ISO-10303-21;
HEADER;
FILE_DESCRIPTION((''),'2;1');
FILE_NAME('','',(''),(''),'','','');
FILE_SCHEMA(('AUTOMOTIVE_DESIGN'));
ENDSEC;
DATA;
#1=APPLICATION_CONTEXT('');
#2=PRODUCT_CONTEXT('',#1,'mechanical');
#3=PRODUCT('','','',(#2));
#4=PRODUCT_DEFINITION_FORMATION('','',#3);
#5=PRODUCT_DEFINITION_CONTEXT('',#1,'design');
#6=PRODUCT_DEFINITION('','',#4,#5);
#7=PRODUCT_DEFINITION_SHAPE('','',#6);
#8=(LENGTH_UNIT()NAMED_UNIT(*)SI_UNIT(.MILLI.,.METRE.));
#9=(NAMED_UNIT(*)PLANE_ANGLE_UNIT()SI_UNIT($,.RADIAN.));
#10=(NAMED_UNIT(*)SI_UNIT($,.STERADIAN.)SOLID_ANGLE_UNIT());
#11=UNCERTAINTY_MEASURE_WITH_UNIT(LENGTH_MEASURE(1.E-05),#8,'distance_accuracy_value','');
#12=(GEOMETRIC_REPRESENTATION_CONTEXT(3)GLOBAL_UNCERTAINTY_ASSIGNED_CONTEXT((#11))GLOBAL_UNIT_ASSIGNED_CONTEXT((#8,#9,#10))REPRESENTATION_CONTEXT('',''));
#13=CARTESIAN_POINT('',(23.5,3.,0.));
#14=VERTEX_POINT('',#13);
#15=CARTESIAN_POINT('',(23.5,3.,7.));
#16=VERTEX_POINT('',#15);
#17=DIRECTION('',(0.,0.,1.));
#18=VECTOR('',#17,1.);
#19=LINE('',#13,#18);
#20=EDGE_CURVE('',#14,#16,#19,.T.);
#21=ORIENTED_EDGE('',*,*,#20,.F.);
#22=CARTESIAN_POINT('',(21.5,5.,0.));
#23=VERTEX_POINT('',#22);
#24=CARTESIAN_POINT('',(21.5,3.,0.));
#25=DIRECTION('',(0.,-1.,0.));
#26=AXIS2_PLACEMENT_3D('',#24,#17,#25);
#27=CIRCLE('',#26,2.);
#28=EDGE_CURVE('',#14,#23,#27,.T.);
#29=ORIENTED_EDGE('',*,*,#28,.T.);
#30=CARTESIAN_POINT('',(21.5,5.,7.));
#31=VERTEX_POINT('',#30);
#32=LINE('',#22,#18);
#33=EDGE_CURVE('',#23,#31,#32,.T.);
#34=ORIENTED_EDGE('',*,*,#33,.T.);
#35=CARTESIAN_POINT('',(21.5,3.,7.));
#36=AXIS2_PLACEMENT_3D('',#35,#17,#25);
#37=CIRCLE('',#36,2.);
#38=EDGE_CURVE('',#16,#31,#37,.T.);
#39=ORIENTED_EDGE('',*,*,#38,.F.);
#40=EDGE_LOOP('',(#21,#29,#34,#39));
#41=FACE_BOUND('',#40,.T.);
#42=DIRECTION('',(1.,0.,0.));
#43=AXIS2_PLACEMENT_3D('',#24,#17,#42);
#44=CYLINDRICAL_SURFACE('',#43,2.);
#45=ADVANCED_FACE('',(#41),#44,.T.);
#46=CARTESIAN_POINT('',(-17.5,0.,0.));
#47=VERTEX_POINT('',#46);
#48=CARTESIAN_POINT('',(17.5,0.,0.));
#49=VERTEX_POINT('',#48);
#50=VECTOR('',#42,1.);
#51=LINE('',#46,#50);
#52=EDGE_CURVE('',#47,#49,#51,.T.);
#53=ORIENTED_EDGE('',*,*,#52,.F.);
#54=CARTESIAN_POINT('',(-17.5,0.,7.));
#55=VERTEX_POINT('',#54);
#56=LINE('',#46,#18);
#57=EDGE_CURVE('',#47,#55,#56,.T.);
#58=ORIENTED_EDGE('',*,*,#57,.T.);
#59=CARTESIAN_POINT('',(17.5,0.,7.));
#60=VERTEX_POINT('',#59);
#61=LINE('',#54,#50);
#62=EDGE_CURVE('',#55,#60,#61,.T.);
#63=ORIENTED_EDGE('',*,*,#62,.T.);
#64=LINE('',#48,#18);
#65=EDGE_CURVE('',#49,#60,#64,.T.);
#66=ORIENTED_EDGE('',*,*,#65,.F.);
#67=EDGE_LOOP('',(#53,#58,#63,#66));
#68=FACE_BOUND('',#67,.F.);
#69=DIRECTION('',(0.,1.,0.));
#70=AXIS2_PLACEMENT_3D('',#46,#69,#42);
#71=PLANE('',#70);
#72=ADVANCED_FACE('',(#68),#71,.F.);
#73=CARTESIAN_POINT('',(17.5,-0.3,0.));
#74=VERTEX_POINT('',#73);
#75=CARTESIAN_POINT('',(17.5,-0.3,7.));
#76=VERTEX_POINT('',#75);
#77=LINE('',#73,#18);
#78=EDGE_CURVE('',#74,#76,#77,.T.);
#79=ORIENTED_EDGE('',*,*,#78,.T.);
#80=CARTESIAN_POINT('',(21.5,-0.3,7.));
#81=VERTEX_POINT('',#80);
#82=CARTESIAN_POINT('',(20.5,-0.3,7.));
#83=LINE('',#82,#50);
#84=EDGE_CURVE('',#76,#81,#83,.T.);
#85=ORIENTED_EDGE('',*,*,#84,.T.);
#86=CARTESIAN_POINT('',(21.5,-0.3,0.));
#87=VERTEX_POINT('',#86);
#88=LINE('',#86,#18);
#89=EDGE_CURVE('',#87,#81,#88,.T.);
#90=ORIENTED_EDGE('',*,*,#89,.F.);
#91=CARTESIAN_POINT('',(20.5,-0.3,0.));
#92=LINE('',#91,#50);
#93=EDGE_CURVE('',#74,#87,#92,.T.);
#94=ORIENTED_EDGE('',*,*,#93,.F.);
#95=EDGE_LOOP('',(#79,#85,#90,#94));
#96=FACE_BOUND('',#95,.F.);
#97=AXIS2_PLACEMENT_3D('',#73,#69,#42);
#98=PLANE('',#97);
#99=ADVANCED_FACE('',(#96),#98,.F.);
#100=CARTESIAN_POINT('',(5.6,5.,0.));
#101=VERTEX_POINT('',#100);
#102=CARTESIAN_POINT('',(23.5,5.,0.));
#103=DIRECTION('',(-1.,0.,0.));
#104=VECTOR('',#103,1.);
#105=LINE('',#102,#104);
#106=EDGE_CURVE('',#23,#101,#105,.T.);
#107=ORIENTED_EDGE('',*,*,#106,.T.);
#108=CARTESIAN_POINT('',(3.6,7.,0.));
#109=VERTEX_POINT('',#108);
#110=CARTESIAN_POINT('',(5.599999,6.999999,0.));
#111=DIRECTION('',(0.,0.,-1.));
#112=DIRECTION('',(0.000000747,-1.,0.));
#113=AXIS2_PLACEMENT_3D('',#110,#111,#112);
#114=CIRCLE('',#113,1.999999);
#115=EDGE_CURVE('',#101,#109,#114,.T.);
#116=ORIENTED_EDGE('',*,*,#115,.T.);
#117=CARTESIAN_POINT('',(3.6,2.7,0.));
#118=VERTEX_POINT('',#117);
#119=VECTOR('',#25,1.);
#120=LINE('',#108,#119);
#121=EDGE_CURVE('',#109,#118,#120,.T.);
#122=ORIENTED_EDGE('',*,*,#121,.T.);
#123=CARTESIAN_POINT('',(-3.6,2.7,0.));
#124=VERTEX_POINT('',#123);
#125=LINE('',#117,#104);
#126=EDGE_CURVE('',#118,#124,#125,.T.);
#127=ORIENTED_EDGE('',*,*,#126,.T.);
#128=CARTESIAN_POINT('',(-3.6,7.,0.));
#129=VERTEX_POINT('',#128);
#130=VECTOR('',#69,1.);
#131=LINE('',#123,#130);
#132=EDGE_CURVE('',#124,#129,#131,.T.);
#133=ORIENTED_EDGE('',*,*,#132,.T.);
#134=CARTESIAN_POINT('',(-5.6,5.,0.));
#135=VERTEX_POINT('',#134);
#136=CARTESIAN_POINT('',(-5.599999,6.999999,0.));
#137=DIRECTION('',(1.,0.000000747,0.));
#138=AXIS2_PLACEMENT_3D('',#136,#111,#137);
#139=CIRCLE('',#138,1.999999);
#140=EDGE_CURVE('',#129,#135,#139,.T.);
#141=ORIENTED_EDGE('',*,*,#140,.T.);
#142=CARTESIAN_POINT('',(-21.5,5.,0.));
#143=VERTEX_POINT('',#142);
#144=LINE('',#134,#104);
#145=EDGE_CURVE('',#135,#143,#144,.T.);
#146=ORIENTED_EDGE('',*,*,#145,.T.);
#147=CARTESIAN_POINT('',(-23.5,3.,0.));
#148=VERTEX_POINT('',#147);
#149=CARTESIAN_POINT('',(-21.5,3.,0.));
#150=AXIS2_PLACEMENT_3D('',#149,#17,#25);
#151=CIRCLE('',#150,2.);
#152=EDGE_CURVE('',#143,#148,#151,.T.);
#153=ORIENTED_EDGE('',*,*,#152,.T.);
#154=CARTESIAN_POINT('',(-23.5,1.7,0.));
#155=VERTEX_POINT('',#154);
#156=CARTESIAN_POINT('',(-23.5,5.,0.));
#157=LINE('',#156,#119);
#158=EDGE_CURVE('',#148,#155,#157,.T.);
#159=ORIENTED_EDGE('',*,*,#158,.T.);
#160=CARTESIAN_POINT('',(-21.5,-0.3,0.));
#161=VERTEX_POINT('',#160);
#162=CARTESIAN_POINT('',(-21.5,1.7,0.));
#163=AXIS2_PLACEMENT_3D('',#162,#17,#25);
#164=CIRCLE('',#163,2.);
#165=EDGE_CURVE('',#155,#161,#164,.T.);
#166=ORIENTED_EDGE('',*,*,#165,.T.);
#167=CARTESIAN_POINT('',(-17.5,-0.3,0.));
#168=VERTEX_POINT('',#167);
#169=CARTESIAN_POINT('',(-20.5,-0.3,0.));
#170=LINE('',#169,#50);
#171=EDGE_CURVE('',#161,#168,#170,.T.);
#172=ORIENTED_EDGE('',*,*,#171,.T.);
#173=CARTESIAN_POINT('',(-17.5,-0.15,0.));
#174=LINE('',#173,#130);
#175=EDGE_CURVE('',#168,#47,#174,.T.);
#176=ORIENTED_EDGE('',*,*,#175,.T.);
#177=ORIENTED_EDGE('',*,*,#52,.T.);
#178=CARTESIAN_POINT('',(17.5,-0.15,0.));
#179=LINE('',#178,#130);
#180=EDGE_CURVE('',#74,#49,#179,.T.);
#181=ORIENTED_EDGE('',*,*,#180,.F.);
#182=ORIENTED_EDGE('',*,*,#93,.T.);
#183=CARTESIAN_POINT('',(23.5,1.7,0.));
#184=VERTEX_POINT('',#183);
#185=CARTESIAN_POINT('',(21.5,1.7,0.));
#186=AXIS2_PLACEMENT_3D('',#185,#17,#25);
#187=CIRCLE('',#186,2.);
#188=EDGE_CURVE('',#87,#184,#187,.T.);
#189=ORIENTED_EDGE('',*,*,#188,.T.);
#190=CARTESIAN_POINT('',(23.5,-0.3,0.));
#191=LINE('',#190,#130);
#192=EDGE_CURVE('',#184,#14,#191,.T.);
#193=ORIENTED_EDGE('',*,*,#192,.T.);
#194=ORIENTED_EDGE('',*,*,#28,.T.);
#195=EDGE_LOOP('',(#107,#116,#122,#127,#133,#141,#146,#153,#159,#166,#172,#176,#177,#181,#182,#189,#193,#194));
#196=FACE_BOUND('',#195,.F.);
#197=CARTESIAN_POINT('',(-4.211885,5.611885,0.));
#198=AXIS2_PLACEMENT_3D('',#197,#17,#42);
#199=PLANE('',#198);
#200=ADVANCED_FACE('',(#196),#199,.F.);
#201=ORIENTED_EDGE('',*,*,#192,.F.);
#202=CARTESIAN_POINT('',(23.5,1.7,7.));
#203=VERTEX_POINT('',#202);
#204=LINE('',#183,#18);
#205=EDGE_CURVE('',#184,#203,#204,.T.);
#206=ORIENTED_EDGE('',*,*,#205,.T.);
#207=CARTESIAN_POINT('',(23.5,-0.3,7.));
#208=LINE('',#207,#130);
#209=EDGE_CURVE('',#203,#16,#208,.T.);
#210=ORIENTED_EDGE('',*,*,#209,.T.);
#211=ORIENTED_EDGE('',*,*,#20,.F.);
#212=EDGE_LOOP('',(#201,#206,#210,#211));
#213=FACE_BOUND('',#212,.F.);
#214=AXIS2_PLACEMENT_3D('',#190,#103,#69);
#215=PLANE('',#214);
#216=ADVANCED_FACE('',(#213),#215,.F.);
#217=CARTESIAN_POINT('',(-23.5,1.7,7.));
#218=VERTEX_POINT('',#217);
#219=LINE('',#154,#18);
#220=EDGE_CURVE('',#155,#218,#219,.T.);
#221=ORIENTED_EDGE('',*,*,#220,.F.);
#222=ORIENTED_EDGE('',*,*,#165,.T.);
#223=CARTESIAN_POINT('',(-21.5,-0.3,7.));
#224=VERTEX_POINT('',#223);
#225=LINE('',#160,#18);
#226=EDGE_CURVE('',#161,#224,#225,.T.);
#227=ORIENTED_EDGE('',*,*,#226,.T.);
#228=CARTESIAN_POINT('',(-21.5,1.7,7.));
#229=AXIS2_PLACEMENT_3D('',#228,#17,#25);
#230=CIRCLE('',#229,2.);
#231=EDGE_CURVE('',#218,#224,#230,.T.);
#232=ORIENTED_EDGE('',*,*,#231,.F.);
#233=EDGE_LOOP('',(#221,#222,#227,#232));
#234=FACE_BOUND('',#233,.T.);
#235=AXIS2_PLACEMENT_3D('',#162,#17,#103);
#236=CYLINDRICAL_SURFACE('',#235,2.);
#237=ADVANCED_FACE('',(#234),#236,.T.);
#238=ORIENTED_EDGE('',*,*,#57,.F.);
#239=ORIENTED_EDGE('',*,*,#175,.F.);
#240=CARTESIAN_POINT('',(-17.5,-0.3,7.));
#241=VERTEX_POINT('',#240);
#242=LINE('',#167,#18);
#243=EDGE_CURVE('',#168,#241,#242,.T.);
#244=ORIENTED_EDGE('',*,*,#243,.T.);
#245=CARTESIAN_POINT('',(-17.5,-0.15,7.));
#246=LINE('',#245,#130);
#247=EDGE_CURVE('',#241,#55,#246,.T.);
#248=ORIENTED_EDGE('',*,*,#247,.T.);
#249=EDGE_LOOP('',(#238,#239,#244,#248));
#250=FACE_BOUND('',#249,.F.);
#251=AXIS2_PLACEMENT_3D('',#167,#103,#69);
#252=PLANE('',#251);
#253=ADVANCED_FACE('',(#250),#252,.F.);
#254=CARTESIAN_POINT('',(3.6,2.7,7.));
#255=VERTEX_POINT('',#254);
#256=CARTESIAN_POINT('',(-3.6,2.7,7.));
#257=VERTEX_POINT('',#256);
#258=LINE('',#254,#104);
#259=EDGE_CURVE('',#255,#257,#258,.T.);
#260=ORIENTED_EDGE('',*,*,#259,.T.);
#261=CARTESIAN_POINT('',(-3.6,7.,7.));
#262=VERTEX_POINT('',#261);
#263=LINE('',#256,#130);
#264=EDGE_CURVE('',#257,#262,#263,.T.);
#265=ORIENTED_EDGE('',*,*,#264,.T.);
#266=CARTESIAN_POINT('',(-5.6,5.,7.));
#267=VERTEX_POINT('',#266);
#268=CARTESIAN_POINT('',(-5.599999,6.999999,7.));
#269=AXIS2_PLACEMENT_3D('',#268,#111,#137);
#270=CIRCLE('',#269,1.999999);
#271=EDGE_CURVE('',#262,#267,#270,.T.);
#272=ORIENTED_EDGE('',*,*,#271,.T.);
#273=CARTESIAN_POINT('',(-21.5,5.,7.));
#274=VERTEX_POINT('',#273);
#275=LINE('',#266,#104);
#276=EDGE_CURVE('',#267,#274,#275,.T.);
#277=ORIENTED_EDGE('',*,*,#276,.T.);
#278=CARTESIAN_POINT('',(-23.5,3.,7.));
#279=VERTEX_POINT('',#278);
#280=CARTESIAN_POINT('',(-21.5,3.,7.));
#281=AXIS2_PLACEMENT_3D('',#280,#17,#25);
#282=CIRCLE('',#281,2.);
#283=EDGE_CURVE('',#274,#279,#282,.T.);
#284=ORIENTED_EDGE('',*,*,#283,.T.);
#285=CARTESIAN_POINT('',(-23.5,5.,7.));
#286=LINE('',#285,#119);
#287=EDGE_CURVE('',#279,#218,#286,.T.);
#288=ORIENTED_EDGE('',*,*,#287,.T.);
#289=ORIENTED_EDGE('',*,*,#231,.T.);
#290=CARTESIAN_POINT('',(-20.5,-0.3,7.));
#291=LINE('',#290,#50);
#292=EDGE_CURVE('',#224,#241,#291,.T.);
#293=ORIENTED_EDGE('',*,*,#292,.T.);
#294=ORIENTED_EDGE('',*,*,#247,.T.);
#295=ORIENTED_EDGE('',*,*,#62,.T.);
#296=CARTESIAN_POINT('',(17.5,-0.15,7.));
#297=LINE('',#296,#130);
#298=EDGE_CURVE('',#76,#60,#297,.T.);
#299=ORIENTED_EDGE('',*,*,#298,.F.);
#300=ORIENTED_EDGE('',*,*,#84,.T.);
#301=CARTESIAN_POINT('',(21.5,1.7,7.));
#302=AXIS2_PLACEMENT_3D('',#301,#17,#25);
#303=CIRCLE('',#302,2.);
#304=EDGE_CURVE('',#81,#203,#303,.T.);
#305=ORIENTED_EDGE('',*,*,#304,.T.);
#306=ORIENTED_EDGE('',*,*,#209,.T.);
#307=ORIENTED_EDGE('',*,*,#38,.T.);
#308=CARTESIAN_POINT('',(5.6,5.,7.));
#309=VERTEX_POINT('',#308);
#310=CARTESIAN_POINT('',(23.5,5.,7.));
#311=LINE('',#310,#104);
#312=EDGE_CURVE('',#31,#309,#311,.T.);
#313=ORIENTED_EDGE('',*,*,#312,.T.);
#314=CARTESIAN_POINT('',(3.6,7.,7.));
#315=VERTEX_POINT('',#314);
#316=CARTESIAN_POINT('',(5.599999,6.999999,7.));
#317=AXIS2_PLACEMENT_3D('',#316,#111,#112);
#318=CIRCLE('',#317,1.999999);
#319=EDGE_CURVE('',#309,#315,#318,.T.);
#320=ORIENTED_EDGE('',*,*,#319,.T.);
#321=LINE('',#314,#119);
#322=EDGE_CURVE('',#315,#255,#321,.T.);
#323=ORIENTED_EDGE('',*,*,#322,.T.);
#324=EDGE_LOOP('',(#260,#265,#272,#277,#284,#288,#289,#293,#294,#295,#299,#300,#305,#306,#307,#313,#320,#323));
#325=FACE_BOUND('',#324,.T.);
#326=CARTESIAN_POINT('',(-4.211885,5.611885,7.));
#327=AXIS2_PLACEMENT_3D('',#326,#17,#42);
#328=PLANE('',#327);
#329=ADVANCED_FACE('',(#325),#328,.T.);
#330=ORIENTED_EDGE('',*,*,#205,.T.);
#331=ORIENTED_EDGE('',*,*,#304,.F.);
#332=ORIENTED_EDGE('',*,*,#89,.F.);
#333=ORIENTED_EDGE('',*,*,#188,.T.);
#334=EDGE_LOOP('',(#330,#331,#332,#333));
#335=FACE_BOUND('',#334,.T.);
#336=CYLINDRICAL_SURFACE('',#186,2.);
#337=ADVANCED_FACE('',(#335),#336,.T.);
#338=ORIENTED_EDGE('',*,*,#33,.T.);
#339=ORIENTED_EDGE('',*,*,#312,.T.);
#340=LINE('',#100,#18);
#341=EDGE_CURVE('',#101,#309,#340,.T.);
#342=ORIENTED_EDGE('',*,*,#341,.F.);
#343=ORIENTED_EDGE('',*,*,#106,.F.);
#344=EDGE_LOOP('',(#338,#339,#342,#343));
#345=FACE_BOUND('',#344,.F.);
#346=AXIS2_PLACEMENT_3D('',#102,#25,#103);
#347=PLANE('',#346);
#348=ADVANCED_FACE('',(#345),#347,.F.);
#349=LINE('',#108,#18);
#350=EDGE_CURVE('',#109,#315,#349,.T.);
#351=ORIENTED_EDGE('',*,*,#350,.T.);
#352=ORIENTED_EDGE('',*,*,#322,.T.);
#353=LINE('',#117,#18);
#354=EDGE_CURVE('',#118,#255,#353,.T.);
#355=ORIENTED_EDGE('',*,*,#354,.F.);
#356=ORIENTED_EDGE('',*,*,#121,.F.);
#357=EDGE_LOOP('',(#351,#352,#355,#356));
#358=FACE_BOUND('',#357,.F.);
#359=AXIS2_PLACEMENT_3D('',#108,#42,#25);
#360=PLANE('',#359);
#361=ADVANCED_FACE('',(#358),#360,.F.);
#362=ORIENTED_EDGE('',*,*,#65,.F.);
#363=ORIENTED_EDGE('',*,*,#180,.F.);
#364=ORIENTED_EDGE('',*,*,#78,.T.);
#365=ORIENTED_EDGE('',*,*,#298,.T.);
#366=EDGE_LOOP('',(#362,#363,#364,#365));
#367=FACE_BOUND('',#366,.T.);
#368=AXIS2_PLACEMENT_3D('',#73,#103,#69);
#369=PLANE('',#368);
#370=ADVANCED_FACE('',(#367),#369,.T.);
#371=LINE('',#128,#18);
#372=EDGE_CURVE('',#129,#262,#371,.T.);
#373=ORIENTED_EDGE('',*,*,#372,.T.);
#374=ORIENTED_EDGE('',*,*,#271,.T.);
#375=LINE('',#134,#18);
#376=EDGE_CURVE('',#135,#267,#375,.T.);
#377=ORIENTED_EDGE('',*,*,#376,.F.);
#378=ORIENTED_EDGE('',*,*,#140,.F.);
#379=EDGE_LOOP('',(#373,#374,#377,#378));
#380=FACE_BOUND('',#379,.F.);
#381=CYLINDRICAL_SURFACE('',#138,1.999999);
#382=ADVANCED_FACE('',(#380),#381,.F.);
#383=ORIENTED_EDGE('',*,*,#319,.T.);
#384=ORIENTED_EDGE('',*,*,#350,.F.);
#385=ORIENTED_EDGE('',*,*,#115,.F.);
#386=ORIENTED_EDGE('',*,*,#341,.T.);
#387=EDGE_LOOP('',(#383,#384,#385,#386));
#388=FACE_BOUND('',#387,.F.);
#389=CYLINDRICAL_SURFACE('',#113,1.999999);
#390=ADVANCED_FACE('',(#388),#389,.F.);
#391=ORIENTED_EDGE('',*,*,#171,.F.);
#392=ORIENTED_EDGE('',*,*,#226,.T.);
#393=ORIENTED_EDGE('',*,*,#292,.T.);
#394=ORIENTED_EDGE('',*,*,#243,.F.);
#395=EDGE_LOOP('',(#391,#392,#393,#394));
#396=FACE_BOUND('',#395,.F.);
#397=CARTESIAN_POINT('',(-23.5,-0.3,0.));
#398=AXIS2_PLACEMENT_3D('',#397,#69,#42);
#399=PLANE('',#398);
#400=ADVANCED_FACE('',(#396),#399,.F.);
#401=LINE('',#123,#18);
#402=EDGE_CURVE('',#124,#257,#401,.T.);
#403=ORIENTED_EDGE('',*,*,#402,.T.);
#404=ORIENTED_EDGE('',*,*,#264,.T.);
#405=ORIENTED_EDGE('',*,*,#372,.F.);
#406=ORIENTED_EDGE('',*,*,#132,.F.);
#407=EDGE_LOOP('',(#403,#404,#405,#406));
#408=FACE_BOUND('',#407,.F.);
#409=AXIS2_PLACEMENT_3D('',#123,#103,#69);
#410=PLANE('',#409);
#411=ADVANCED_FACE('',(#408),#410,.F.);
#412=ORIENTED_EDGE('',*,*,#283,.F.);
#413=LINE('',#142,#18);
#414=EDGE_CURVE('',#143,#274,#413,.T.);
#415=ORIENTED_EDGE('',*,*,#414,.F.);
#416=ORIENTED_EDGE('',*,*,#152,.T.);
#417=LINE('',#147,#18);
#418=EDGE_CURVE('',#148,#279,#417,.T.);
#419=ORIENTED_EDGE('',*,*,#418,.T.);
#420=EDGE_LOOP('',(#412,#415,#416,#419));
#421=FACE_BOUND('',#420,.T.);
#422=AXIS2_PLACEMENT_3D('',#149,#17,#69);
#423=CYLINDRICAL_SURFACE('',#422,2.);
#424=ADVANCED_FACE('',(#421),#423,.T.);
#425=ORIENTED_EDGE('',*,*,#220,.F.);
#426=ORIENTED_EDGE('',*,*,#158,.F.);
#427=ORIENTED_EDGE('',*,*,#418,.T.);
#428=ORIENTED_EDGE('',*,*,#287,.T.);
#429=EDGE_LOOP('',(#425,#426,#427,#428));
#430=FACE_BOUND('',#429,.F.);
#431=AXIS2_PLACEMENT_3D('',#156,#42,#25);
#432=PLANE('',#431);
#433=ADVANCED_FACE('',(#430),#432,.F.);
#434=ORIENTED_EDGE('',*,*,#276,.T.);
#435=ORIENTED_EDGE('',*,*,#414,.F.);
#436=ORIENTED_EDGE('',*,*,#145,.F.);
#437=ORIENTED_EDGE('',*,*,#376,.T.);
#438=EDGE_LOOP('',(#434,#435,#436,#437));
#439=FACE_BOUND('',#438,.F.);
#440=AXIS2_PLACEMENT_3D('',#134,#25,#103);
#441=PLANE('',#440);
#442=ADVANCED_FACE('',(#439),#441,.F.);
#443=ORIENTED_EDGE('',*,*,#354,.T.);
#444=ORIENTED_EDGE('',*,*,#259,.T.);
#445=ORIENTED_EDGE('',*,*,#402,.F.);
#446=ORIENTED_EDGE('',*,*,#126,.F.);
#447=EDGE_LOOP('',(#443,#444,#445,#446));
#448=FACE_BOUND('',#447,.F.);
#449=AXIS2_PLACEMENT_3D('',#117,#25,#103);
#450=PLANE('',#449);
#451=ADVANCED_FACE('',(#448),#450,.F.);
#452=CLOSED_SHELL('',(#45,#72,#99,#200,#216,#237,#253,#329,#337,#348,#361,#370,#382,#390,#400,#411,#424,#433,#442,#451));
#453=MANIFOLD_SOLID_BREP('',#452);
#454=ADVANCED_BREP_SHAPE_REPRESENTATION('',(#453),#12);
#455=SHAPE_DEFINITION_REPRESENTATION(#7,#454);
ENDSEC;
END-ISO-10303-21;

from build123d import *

# Parameters (mm, degrees)
F0_W     = 6
F0_H     = 0.3
F1_DEPTH = 7
F2_R     = 2


with BuildPart() as f1:
    # F0 (on Top) → F1 (new body)
    with BuildSketch(Plane.XY):
        with BuildLine():
            ThreePointArc((-3.6, 7), (-4.185786, 5.585786), (-5.6, 5))
            Line((-5.6, 5), (-3.6, 5))
            Line((-3.6, 5), (-3.6, 7))
        make_face()
        with BuildLine():
            Line((3.6, 7), (3.6, 5))
            Line((3.6, 5), (5.6, 5))
            ThreePointArc((5.6, 5), (4.185786, 5.585786), (3.6, 7))
        make_face()
        with Locations((-20.5, -0.15)):
            Rectangle(F0_W, F0_H)
        Polygon((-5.6, 5), (-23.5, 5), (-23.5, 0), (-17.5, 0), (17.5, 0), (23.5, 0), (23.5, 5), (5.6, 5), (3.6, 5), (3.6, 2.7), (-3.6, 2.7), (-3.6, 5), align=None)
        with Locations((20.5, -0.15)):
            Rectangle(F0_W, F0_H)
    extrude(amount=F1_DEPTH)

    # F2
    f2_edges = [f1.edges().sort_by_distance(p)[0] for p in [
        (-23.5, 5, 3.5),
        (23.5, 5, 3.5),
        (-23.5, -0.3, 3.5),
        (23.5, -0.3, 3.5),
    ]]
    fillet(f2_edges, radius=F2_R)


solid = f1.part
